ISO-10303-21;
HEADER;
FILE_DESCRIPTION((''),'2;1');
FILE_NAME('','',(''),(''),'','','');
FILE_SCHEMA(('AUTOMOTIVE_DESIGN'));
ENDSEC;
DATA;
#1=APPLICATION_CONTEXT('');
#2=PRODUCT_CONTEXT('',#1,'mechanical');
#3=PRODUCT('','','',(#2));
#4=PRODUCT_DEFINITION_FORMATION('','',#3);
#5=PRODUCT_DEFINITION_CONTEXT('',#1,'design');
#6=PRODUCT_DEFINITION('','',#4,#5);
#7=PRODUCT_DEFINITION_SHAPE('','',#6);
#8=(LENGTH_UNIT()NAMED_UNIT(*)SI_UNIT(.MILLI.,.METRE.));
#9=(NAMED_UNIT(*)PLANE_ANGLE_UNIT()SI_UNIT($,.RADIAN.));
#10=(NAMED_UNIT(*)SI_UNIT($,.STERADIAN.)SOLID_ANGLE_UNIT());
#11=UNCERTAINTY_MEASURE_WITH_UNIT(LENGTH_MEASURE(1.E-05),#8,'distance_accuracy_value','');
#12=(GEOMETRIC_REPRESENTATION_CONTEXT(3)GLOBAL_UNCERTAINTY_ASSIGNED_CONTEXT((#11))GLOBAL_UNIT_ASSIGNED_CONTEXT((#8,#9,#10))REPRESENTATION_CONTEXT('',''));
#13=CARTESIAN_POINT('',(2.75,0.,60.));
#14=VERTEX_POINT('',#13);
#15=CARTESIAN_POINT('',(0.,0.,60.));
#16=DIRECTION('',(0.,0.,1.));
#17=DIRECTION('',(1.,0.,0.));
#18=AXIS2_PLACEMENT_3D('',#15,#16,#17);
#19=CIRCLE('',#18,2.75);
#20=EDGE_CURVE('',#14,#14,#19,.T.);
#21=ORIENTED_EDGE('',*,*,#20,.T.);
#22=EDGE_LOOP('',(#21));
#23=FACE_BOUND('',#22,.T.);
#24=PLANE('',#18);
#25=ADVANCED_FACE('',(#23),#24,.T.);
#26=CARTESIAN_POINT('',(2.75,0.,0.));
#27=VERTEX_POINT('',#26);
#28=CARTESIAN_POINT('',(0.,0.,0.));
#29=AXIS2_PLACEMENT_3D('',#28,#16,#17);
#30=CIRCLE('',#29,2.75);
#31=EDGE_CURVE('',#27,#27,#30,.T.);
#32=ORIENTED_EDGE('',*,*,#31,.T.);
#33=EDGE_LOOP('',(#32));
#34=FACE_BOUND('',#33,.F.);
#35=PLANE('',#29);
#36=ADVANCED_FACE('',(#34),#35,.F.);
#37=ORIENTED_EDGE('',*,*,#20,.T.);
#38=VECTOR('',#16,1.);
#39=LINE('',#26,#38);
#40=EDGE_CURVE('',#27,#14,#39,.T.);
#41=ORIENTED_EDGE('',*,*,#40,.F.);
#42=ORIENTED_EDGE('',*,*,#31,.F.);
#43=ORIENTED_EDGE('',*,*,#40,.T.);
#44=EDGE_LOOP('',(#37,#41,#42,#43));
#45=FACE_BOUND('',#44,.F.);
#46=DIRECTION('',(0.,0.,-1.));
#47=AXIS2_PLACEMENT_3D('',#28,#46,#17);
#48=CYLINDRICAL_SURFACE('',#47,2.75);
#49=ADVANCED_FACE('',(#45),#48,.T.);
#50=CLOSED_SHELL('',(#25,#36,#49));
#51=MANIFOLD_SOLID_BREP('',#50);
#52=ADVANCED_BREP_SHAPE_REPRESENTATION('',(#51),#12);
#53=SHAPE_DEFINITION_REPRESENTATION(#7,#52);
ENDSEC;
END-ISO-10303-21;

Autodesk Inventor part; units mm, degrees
ref_plane "YZ Plane" through (0, 0, 0) normal (1, 0, 0) x (0, 1, 0)
ref_plane "XZ Plane" through (0, 0, 0) normal (0, 1, 0) x (-1, 0, 0)
ref_plane "XY Plane" through (0, 0, 0) normal (0, 0, 1) x (1, 0, 0)
sketch "Sketch1" plane through (0, 0, 0) normal (0, 0, 1) x (1, 0, 0)
  circle A0 centre (0, 0) radius 2.75
  dimension "d0" = 5.5
extrude "Extrusion1" add sketch "Sketch1" along normal blind 60
properties part number "pins"
